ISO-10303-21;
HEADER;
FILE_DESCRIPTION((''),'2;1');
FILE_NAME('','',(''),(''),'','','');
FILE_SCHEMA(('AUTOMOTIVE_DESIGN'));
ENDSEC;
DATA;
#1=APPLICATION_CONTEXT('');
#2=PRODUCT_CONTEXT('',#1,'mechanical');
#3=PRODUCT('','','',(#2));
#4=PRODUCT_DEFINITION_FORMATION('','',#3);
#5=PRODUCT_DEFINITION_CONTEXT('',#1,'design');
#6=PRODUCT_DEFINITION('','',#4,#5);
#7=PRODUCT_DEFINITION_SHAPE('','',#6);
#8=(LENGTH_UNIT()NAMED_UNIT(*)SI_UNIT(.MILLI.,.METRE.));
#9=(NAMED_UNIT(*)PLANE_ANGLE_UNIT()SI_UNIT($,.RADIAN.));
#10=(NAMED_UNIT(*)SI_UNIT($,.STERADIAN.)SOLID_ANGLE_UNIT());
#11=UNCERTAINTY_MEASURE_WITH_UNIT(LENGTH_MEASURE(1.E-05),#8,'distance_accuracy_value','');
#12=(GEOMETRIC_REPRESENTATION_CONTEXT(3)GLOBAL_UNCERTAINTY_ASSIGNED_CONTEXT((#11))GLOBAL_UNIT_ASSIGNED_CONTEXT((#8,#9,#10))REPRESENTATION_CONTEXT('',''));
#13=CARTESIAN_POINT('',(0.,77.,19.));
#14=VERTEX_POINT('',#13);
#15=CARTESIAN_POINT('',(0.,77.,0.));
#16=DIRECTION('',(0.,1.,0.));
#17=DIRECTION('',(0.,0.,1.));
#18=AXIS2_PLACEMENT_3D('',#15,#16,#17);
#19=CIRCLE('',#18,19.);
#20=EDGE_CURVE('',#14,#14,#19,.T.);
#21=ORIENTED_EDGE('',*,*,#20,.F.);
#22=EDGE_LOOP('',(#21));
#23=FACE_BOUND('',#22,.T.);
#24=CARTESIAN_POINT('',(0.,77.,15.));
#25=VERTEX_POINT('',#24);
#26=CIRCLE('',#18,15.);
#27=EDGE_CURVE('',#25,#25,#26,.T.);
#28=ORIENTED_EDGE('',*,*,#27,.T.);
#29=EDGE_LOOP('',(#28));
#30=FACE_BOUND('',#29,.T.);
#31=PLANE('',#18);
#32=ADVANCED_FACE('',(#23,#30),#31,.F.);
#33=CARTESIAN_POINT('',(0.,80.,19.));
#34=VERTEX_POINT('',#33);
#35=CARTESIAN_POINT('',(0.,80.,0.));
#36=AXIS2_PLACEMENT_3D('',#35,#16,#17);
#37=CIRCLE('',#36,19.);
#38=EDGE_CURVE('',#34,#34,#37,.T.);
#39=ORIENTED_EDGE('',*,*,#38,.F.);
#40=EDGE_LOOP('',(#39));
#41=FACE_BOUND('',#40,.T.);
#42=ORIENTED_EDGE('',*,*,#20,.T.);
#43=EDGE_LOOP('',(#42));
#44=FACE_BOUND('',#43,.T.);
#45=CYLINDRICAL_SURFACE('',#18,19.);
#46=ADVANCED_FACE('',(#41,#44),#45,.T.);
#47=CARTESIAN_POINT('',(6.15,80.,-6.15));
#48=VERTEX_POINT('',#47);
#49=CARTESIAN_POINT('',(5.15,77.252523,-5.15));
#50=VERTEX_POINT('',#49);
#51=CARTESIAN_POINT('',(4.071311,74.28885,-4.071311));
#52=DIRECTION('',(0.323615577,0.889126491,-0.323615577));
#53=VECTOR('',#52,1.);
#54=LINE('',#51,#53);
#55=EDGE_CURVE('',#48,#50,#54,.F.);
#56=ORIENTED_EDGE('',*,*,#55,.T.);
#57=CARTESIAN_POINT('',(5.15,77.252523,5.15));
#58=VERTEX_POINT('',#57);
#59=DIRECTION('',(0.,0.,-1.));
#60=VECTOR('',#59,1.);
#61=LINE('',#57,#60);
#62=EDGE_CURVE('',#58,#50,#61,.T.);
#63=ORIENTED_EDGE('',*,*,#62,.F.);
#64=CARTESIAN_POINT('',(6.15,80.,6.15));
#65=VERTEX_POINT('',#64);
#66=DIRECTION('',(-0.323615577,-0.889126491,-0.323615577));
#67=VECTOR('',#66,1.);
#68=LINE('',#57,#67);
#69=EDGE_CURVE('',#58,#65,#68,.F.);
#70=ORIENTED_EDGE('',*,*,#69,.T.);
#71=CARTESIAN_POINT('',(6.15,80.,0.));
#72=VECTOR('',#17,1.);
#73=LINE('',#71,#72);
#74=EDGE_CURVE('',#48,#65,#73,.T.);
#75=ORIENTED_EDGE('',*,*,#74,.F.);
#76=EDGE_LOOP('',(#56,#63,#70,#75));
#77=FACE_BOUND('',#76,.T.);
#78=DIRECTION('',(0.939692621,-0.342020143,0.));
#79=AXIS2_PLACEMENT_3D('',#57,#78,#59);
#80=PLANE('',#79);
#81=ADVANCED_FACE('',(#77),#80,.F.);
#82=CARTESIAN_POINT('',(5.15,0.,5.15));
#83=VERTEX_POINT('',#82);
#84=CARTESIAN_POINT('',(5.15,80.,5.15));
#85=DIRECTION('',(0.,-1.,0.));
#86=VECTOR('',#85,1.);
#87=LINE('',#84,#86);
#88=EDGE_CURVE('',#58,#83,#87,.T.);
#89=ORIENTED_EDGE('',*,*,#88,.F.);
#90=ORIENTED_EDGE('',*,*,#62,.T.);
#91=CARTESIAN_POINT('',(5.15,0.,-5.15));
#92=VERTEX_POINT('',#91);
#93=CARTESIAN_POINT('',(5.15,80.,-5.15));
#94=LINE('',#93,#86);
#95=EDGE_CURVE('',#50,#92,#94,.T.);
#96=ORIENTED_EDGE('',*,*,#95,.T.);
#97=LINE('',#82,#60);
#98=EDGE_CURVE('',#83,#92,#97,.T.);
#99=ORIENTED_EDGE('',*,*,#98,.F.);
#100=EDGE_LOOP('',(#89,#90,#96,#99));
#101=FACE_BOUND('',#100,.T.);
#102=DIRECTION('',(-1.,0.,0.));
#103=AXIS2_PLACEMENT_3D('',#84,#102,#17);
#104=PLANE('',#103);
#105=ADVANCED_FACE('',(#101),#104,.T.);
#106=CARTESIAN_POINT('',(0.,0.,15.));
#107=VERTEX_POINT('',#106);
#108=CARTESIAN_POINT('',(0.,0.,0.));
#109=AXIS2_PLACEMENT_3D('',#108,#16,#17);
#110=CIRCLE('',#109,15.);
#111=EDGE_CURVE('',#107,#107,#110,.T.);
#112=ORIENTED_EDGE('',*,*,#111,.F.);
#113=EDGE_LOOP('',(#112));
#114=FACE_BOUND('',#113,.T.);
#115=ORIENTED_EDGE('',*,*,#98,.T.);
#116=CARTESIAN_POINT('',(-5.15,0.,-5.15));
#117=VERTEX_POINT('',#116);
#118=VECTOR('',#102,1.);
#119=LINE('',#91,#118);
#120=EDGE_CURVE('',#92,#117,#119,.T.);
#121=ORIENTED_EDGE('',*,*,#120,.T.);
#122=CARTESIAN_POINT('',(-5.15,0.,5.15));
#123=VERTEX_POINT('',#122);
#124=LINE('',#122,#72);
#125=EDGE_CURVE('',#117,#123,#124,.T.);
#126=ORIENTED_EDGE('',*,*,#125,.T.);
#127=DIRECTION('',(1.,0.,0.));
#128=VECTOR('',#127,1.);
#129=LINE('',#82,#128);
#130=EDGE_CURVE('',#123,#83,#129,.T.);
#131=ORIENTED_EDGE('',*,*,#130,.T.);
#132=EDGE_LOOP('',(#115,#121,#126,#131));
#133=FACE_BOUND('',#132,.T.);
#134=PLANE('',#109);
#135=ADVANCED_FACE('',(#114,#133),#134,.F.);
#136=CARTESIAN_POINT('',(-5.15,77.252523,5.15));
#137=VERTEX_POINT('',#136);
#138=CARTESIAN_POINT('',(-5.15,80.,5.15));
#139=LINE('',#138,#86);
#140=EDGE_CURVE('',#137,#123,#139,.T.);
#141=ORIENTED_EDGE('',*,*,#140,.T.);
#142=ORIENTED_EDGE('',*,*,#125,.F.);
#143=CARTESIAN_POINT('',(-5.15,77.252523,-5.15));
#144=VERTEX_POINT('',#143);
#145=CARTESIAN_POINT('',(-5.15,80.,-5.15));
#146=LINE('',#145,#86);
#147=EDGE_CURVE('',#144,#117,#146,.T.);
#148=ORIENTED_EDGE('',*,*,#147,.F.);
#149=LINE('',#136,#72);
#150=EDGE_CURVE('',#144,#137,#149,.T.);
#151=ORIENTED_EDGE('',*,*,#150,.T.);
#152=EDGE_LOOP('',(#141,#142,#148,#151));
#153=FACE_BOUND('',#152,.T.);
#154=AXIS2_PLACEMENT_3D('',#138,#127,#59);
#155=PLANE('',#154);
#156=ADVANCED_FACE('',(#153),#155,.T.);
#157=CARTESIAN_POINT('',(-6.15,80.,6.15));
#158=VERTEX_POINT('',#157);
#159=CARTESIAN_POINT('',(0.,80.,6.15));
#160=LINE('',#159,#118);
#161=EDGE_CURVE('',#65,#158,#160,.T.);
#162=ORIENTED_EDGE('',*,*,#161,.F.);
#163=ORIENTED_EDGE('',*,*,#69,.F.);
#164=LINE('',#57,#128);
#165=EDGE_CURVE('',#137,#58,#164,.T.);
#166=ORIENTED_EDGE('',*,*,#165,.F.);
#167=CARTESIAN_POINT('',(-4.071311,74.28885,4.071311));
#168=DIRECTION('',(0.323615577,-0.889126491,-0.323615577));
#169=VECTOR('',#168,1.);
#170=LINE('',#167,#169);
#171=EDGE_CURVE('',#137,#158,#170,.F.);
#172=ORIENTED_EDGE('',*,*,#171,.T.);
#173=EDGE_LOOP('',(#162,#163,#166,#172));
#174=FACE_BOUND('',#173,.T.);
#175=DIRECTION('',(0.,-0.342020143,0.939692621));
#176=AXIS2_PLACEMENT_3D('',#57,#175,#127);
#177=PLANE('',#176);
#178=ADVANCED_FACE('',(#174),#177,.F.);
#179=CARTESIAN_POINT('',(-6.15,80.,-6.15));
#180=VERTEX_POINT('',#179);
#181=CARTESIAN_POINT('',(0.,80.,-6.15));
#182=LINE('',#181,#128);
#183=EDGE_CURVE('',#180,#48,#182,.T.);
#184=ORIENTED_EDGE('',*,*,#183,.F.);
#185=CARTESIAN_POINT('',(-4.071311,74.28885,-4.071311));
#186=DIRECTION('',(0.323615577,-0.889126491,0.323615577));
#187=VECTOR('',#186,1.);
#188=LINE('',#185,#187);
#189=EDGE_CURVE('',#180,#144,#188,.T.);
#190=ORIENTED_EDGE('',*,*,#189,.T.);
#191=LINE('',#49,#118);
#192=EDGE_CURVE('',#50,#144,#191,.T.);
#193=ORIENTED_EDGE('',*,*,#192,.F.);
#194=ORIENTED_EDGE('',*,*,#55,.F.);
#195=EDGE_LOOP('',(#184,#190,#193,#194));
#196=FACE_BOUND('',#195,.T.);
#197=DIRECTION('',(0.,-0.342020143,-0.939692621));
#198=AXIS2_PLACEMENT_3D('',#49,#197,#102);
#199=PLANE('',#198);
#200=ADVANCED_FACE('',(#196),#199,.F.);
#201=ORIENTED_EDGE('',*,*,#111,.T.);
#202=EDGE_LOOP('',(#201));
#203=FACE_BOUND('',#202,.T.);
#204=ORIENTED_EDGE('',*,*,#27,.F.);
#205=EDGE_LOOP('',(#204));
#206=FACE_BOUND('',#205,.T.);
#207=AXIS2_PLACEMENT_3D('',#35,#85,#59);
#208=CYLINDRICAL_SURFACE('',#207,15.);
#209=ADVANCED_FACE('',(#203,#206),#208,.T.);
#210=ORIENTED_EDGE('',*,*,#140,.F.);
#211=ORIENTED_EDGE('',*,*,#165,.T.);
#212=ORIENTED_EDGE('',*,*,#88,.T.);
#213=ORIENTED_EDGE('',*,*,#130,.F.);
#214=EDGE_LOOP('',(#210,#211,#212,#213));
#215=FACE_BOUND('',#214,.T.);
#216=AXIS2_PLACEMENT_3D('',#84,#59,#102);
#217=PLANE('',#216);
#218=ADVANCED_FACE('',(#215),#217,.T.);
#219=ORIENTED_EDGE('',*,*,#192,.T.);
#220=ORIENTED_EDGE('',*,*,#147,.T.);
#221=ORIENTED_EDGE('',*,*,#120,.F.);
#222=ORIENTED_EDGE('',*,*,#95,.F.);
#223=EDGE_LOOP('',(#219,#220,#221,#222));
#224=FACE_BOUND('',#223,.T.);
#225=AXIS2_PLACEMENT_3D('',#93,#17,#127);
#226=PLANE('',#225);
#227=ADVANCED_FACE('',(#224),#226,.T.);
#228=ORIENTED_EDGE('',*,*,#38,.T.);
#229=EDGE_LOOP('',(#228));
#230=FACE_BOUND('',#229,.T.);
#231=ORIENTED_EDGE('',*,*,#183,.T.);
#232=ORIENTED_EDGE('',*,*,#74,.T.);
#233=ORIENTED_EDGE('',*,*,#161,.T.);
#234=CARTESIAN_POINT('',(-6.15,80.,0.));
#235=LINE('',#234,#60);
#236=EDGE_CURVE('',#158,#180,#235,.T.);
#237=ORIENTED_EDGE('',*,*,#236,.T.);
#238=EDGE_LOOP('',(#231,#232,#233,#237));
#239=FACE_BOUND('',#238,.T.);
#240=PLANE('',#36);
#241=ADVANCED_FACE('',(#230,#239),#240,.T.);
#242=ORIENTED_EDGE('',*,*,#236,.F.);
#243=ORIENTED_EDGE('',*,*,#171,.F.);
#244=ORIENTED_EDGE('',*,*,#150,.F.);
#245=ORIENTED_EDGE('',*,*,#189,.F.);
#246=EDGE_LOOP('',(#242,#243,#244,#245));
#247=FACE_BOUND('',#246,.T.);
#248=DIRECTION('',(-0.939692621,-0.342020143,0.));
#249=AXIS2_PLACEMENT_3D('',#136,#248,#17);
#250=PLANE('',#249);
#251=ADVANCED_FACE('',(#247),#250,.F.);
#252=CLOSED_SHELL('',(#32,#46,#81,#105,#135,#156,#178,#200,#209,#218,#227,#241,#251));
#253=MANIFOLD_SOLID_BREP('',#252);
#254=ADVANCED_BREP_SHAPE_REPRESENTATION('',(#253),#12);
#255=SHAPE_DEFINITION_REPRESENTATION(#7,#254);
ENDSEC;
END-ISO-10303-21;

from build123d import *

# Parameters (mm, degrees)
SKETCH_1_R          = 15
SKETCH_1_W          = 10.3
SKETCH_1_H          = 10.3
EXTRUDE_1_DEPTH     = 80
SKETCH1_R           = 19
SKETCH1_W           = 10.3
SKETCH1_H           = 10.3
BOSS_EXTRUDE1_DEPTH = 3
CHAMFER1_SIZE       = 1
CHAMFER1_SIZE2      = 2.747477419


with BuildPart() as part:
    # Эскиз1 → Бобышка-Вытянуть1 (new body)
    with BuildSketch(Plane(origin=(0, 0, 0), x_dir=(1, 0, 0), z_dir=(0, 1, 0))):
        Circle(SKETCH_1_R)
        Rectangle(SKETCH_1_W, SKETCH_1_H, mode=Mode.SUBTRACT)
    extrude(amount=EXTRUDE_1_DEPTH)

    # Sketch1 → Boss-Extrude1 (add)
    with BuildSketch(Plane(origin=(0, 80, 0), x_dir=(1, 0, 0), z_dir=(0, 1, 0))):
        Circle(SKETCH1_R)
        Rectangle(SKETCH1_W, SKETCH1_H, mode=Mode.SUBTRACT)
    extrude(amount=-BOSS_EXTRUDE1_DEPTH)

    # Chamfer1
    chamfer1_edges = [part.edges().sort_by_distance(p)[0] for p in [
        (0, 80, -5.15),
        (-5.15, 80, 0),
        (0, 80, 5.15),
        (5.15, 80, 0),
    ]]
    chamfer1_side = [part.faces().sort_by_distance(p)[0] for p in [
        (-18.462598846, 80, 0),
    ]]
    chamfer(chamfer1_edges, length=CHAMFER1_SIZE, length2=CHAMFER1_SIZE2, reference=chamfer1_side[0])


solid = part.part
